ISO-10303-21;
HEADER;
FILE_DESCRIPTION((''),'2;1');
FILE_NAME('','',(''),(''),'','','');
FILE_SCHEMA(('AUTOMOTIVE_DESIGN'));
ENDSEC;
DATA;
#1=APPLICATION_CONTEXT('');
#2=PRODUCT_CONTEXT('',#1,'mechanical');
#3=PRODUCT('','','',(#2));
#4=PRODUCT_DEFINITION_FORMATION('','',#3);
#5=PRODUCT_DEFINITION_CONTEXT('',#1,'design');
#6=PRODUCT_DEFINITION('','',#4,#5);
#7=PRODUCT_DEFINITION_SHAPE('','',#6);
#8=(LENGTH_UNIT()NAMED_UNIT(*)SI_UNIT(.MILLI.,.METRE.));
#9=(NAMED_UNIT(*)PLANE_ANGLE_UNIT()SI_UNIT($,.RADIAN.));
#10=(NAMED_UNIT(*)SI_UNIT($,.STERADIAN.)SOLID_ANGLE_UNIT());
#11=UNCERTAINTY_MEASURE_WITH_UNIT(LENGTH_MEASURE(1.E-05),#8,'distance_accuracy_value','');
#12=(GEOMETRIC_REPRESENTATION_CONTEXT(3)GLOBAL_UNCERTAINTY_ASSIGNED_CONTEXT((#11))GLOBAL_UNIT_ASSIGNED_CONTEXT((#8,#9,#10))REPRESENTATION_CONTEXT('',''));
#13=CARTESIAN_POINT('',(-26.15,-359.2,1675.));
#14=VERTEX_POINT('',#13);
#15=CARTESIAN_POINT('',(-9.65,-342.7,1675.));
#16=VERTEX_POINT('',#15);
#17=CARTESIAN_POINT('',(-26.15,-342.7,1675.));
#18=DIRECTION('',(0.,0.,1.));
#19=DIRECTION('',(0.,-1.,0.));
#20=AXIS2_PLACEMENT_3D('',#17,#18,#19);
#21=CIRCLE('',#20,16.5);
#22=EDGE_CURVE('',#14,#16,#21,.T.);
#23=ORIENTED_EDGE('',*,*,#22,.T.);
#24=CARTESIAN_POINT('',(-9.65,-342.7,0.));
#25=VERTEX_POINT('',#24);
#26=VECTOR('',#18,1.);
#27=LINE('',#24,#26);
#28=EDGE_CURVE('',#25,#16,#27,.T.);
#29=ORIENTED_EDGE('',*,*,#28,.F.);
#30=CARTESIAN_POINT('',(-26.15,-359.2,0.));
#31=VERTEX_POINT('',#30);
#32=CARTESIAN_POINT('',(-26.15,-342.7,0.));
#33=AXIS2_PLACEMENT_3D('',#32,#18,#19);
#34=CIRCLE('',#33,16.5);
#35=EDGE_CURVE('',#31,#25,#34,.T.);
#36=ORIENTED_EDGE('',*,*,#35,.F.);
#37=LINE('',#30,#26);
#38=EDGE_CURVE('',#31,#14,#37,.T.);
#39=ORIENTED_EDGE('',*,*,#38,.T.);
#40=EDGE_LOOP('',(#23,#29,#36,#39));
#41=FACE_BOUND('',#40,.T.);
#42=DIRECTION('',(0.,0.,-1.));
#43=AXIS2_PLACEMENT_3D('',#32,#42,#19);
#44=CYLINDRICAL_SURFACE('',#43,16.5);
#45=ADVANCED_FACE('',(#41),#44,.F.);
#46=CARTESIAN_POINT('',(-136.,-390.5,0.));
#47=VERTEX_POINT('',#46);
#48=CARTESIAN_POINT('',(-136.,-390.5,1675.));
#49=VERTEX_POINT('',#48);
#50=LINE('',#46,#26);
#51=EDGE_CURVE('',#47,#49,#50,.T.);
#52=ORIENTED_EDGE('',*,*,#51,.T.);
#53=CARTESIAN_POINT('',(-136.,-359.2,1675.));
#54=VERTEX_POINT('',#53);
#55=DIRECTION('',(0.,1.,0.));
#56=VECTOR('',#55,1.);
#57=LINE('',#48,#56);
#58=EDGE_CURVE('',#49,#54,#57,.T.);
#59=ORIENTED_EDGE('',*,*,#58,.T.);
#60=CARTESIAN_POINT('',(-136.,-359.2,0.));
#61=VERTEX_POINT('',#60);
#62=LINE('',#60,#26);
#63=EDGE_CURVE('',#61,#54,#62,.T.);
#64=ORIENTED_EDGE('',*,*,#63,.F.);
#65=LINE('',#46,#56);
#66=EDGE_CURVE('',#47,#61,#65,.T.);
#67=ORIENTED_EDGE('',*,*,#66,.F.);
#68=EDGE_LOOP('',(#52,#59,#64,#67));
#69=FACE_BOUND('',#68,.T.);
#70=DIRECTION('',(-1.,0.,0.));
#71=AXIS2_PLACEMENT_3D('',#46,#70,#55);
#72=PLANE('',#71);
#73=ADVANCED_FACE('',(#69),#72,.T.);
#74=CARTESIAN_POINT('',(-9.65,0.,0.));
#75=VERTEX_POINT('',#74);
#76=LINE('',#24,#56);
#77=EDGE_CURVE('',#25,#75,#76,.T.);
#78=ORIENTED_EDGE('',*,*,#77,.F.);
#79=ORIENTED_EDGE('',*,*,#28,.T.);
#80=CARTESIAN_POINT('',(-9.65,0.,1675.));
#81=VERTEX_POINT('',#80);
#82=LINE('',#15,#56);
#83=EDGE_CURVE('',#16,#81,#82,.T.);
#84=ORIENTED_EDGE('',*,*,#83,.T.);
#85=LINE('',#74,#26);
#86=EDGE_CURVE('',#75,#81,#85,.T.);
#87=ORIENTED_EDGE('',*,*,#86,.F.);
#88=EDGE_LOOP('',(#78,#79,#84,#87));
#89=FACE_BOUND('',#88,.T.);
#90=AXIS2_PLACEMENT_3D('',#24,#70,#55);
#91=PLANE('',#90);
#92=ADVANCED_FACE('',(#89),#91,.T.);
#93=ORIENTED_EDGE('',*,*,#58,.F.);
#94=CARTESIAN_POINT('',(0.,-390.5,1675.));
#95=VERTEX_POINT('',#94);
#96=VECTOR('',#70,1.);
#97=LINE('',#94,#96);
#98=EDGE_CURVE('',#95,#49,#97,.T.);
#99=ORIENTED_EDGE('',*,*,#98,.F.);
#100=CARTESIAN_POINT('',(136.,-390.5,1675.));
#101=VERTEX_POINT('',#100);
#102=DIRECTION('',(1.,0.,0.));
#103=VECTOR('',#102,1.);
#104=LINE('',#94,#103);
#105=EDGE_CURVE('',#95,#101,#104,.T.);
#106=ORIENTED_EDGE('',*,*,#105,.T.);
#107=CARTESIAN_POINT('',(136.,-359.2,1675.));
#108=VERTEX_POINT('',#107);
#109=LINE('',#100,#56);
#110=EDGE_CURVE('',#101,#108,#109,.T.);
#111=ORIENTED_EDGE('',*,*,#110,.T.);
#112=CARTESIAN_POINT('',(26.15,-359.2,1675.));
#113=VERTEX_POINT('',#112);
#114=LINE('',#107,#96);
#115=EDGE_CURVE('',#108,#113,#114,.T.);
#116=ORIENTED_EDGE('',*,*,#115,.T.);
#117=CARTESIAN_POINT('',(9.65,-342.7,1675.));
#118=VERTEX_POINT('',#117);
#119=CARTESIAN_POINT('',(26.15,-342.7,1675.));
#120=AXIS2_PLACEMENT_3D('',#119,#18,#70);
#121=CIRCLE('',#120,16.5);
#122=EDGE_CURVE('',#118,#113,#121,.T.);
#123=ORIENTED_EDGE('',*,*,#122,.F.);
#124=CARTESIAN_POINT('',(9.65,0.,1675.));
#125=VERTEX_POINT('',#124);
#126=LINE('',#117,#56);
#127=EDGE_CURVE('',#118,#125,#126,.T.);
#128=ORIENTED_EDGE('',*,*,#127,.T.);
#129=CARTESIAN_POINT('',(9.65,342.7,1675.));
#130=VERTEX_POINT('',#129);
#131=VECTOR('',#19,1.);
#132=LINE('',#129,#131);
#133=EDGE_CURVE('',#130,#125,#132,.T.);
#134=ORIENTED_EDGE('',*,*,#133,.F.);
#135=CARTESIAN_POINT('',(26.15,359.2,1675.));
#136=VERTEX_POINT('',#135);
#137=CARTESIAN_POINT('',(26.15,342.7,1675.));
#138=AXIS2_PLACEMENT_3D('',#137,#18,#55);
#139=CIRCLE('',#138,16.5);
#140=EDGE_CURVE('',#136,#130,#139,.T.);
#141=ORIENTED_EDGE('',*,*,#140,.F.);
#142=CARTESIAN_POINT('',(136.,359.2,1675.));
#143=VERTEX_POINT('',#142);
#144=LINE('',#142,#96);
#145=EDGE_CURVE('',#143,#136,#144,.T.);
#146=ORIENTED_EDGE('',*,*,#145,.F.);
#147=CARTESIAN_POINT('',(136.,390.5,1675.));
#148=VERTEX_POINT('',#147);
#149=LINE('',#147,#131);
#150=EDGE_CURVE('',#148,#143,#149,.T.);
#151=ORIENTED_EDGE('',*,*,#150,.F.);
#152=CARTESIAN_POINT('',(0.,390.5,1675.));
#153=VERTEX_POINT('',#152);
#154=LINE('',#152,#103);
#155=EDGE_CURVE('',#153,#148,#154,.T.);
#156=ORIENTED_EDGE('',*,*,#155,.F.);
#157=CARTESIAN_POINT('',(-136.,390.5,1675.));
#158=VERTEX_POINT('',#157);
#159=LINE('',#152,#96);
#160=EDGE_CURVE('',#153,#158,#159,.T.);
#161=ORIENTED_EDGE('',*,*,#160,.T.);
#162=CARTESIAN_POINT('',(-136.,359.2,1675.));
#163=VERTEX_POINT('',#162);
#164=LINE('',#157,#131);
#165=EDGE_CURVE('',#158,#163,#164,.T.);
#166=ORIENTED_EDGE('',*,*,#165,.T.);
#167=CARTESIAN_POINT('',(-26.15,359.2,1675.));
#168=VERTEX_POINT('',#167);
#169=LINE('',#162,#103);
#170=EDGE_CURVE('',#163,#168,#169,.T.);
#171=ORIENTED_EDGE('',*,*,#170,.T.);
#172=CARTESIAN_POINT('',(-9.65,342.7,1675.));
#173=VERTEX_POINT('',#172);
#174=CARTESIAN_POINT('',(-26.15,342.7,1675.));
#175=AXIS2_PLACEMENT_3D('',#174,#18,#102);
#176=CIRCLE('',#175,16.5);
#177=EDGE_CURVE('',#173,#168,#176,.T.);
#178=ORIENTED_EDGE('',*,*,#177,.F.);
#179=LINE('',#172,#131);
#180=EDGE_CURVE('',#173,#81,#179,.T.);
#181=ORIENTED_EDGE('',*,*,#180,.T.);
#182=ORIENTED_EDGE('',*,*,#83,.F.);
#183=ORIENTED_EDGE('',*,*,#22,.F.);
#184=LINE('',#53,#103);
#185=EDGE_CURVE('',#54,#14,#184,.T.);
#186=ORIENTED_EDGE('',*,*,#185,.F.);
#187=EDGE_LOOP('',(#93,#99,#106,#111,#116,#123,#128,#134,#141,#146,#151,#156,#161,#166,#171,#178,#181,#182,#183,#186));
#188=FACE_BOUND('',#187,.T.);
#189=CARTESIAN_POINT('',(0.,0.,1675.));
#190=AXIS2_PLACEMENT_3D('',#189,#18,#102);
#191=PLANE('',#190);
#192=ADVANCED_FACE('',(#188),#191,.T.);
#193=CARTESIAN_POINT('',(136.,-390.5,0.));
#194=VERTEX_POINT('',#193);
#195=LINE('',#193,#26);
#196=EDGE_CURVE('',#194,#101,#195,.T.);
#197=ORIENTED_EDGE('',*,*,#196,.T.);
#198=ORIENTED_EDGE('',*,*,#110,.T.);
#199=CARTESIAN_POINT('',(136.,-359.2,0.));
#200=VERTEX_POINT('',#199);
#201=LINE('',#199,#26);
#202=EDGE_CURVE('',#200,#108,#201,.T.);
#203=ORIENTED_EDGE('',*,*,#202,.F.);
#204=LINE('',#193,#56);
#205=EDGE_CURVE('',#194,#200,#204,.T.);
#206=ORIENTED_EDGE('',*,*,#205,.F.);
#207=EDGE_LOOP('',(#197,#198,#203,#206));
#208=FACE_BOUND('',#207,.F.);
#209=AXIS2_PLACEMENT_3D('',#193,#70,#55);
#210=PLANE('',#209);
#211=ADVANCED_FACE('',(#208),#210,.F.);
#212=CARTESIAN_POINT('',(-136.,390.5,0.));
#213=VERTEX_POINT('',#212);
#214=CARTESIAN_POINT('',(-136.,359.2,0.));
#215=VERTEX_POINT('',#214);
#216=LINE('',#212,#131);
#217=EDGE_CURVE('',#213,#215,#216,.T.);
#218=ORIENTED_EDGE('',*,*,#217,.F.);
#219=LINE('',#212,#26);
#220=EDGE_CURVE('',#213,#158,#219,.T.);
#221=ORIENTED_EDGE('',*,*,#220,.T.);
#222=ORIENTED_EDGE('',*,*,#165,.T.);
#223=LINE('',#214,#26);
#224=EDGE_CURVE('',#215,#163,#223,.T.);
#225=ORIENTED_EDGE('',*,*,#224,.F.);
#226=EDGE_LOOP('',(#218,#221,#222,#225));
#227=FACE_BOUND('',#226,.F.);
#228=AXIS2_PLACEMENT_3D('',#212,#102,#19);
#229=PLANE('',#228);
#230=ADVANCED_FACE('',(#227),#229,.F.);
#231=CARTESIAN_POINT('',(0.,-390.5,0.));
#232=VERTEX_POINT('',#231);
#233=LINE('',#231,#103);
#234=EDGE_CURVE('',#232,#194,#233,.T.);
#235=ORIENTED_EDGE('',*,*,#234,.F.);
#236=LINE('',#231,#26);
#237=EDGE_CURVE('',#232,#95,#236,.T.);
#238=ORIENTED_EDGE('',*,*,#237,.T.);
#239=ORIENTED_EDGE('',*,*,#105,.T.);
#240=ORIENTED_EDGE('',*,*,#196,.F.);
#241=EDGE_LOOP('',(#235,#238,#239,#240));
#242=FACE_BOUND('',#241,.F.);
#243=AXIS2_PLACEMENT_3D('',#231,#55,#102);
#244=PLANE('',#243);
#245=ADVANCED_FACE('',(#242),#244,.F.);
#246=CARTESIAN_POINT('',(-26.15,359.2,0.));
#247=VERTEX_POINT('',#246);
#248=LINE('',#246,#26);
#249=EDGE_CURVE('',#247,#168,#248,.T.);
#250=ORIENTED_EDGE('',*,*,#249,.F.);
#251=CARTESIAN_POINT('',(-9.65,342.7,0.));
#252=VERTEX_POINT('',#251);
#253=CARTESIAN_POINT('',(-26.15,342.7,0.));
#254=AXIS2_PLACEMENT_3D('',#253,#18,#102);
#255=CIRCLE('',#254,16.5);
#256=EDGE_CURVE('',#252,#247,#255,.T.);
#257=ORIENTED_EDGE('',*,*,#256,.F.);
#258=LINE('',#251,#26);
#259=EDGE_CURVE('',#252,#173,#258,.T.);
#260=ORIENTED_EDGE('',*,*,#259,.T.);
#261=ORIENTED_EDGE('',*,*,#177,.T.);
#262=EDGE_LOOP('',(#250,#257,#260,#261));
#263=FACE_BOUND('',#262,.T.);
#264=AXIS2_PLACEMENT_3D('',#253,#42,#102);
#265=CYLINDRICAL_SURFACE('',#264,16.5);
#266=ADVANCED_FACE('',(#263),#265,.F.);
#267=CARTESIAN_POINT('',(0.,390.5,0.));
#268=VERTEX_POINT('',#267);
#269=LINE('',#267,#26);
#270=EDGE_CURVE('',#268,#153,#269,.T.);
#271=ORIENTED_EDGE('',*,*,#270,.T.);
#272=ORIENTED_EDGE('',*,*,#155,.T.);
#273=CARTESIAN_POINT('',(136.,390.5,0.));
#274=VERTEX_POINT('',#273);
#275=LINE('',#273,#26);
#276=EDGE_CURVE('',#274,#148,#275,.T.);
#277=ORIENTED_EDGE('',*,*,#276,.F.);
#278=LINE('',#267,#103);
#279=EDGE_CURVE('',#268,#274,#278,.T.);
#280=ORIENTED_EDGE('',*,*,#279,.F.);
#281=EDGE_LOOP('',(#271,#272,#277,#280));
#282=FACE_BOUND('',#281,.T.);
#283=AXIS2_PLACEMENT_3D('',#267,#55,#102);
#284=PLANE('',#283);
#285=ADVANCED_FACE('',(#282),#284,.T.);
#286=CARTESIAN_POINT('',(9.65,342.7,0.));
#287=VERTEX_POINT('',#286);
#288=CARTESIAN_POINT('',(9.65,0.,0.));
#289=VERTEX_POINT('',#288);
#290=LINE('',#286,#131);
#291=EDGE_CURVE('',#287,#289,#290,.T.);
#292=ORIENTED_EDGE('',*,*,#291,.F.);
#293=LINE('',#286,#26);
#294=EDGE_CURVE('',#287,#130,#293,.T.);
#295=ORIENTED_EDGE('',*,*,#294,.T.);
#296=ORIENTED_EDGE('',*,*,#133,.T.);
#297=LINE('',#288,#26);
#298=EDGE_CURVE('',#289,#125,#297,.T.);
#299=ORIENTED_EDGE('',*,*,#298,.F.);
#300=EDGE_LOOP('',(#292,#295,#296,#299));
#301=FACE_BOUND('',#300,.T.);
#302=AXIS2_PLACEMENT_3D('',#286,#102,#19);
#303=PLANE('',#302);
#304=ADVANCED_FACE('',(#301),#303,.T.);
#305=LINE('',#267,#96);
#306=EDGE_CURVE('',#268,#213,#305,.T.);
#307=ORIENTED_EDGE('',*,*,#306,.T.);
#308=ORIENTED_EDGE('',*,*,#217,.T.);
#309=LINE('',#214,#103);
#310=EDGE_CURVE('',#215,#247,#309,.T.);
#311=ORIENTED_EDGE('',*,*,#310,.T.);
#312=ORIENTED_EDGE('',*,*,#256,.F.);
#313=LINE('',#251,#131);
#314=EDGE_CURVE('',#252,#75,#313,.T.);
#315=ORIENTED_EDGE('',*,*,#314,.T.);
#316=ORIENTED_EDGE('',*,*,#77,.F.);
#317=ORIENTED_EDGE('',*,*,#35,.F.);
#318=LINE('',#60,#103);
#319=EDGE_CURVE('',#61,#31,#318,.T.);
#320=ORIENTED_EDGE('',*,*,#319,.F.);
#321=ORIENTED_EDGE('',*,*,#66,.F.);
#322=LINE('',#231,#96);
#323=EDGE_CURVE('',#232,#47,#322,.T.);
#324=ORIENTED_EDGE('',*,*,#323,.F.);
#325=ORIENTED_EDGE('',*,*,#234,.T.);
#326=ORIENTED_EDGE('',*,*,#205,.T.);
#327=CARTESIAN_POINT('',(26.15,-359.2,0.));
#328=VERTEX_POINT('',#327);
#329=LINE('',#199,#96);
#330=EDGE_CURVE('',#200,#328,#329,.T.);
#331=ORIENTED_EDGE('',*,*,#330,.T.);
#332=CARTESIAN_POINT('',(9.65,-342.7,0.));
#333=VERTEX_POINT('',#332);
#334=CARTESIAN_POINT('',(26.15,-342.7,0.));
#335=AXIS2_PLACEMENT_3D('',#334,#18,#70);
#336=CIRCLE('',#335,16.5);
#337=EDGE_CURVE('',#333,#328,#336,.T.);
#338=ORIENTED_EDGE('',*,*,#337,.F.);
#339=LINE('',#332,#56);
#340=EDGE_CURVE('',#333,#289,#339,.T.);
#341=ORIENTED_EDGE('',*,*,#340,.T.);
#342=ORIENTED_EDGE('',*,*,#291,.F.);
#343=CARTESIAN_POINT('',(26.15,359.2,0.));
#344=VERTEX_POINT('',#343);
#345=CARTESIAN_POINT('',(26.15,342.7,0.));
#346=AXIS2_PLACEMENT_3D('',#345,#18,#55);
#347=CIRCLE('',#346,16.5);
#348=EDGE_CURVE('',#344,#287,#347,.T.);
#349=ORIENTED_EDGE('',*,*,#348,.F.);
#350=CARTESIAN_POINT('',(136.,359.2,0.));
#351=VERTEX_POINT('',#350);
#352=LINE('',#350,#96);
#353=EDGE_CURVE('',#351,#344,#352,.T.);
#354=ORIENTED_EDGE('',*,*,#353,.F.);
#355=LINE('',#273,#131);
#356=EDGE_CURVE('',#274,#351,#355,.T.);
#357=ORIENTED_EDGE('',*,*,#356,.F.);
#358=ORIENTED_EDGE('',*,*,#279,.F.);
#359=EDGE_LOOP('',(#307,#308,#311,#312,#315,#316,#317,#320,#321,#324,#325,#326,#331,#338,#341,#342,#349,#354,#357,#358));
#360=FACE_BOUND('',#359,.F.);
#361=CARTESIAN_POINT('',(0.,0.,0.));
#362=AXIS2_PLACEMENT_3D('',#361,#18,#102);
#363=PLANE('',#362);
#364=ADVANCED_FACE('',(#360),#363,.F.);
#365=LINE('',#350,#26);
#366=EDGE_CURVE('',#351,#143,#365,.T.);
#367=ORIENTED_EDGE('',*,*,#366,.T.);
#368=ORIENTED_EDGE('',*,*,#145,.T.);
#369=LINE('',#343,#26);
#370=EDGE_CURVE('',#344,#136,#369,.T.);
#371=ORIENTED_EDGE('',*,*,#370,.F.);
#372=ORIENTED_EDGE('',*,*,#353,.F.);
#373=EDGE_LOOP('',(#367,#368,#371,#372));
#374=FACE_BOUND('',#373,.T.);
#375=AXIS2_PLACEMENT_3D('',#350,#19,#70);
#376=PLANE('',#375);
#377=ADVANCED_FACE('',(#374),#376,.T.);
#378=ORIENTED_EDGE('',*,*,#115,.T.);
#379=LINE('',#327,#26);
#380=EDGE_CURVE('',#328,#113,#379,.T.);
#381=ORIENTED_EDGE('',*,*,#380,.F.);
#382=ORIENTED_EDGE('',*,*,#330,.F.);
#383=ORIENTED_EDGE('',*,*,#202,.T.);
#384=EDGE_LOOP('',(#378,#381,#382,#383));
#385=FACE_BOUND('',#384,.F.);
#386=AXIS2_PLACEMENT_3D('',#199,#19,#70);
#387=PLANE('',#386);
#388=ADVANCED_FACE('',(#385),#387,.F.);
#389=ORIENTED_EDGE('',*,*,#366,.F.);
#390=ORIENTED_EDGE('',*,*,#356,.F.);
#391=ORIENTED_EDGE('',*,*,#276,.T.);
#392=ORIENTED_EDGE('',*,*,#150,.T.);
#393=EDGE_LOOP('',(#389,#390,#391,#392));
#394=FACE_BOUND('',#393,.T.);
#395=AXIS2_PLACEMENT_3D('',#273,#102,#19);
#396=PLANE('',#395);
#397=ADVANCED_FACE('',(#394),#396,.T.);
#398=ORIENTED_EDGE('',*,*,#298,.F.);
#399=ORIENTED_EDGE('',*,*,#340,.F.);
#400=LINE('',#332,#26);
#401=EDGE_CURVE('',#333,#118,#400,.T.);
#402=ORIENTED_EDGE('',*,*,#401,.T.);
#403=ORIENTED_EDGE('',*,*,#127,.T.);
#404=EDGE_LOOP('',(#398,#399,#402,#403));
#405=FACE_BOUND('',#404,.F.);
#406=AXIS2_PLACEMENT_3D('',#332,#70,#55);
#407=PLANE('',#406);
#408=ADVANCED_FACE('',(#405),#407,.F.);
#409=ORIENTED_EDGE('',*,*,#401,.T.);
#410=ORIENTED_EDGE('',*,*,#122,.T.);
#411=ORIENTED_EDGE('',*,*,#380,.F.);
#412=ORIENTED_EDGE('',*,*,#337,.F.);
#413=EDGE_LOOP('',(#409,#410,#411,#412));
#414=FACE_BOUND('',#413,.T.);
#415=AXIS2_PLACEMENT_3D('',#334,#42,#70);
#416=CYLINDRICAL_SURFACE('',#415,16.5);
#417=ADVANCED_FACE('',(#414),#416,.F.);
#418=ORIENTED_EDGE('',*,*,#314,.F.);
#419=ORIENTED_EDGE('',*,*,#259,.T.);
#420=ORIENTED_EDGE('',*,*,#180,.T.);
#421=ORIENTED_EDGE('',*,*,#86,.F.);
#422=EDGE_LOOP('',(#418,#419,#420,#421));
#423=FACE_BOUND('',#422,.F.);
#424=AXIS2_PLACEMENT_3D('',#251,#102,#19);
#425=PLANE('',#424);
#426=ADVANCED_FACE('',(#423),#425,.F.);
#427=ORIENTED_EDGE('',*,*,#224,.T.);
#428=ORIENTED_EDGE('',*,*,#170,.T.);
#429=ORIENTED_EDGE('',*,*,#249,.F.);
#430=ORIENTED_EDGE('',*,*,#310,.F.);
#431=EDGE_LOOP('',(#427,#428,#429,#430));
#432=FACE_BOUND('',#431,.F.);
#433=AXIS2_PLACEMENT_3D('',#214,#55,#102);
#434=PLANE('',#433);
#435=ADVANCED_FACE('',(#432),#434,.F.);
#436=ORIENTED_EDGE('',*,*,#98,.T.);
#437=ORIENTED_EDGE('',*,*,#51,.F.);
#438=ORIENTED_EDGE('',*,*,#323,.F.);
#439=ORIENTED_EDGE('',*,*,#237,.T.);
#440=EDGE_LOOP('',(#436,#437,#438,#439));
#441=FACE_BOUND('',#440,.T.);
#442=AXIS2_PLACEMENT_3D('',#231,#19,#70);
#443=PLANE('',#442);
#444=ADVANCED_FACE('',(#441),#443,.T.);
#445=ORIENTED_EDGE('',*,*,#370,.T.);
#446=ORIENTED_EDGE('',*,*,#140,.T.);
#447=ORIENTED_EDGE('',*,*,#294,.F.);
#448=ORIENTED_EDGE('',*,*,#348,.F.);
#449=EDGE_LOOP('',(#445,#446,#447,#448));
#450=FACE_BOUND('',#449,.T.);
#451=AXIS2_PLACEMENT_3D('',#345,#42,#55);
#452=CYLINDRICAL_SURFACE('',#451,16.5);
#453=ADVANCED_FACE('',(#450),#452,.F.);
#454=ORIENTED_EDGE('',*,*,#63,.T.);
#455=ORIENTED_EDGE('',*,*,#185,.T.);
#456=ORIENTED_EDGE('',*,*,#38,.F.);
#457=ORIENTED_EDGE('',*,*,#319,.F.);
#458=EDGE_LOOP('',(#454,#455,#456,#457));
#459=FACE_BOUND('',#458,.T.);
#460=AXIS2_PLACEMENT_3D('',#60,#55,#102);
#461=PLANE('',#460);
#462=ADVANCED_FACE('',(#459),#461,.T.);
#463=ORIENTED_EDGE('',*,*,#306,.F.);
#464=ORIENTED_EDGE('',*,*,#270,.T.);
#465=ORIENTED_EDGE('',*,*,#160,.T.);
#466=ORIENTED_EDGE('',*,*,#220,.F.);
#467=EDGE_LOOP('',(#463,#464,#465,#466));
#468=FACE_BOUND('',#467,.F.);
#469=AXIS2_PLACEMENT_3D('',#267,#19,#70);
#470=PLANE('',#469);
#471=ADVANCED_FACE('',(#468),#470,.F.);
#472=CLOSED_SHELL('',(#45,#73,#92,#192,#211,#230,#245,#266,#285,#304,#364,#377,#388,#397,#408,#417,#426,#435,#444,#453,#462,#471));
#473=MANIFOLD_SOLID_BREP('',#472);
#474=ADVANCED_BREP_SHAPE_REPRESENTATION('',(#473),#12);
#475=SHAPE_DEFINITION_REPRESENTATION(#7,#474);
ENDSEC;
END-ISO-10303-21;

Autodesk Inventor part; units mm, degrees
ref_plane "YZ Plane" through (0, 0, 0) normal (1, 0, 0) x (0, 1, 0)
ref_plane "Start plane" through (0, 0, 0) normal (0, 0, 1) x (1, 0, 0)
ref_plane "End plane" through (0, 0, 1675) normal (0, 0, 1) x (1, 0, 0)
sketch "Sketch" plane through (0, 0, 0) normal (0, 0, 1) x (1, 0, 0)
  line L0 (-136, -390.5) -> (-136, -359.2)
  line L1 (-136, -359.2) -> (-26.15, -359.2)
  line L2 (-9.65, -342.7) -> (-9.65, 0)
  line L3 (-9.65, 0) -> (0, 0) construction
  line L4 (0, 0) -> (0, -390.5) construction
  line L5 (0, -390.5) -> (-136, -390.5)
  line L6 (-60, 0) -> (80, 0) construction
  line L7 (0, -60) -> (0, 80) construction
  line L8 (136, -390.5) -> (136, -359.2)
  line L9 (136, -359.2) -> (26.15, -359.2)
  line L10 (9.65, -342.7) -> (9.65, 0)
  line L11 (9.65, 0) -> (0, 0) construction
  line L12 (0, -390.5) -> (136, -390.5)
  line L13 (-136, 390.5) -> (-136, 359.2)
  line L14 (-136, 359.2) -> (-26.15, 359.2)
  line L15 (-9.65, 342.7) -> (-9.65, 0)
  line L16 (0, 390.5) -> (-136, 390.5)
  line L17 (136, 390.5) -> (136, 359.2)
  line L18 (136, 359.2) -> (26.15, 359.2)
  line L19 (0, 390.5) -> (136, 390.5)
  line L20 (9.65, 342.7) -> (9.65, 0)
  arc A0 (-9.65, 342.7) -> (-26.15, 359.2) centre (-26.15, 342.7) ccw
  arc A1 (26.15, 359.2) -> (9.65, 342.7) centre (26.15, 342.7) ccw
  arc A2 (9.65, -342.7) -> (26.15, -359.2) centre (26.15, -342.7) ccw
  arc A3 (-26.15, -359.2) -> (-9.65, -342.7) centre (-26.15, -342.7) ccw
  line L21 (0, 108) -> (0, -88) construction
  line L22 (-88, 0) -> (108, 0) construction
  point P0 (-9.65, -359.2)
  point P1 (9.65, -359.2)
  point P2 (-9.65, 359.2)
  point P3 (9.65, 359.2)
  dimension "d1" = 390.5
  dimension "d2" = 31.3
  dimension "d3" = 136
  dimension "d4" = 9.65
  dimension "d10" = 16.5
extrude "Body" add sketch "Sketch" along normal up to surface (1675 mm away) from surface at 0
sketch "Sketch4" plane through (0, 0, 0) normal (0, 0, 1) x (1, 0, 0)
  line L0 (0, 0) -> (10, 0)
ref_plane "Work Plane3" through (0, 0, 0) normal (0, -1, 0) x (1, 0, 0)
sketch "Sketch5" plane through (0, 0, 0) normal (0, -1, 0) x (1, 0, 0)
  line L0 (-2, 0) -> (12, 0) projected
  line L1 (-2, 1675) -> (12, 1675) projected
  dimension "d14" = 1675
equation "\"d1\" = 0.5 * G_H"
equation "\"d2\" = G_T1"
equation "\"d3\" = 0.5 * G_W"
equation "\"d4\" = 0.5 * G_T"
equation "\"d10\" = G_IR"
equation "\"d5\" = G_L"
equation "\"G_W\" = 272"
equation "\"G_H\" = 781"
equation "\"G_T\" = 19.3"
equation "\"G_T1\" = 31.3"
equation "\"G_IR\" = 16.5"
equation "\"G_L\" = d14"
equation "\"G_OFFSET_START\" = 0"
equation "\"G_OFFSET_END\" = 0"
equation "\"d12\" = G_OFFSET_END + B_L"
equation "\"B_L\" = 1675"
properties part number "AS 3679-1990 - 760 UB - 244 - 1675" material "Steel, Mild"
